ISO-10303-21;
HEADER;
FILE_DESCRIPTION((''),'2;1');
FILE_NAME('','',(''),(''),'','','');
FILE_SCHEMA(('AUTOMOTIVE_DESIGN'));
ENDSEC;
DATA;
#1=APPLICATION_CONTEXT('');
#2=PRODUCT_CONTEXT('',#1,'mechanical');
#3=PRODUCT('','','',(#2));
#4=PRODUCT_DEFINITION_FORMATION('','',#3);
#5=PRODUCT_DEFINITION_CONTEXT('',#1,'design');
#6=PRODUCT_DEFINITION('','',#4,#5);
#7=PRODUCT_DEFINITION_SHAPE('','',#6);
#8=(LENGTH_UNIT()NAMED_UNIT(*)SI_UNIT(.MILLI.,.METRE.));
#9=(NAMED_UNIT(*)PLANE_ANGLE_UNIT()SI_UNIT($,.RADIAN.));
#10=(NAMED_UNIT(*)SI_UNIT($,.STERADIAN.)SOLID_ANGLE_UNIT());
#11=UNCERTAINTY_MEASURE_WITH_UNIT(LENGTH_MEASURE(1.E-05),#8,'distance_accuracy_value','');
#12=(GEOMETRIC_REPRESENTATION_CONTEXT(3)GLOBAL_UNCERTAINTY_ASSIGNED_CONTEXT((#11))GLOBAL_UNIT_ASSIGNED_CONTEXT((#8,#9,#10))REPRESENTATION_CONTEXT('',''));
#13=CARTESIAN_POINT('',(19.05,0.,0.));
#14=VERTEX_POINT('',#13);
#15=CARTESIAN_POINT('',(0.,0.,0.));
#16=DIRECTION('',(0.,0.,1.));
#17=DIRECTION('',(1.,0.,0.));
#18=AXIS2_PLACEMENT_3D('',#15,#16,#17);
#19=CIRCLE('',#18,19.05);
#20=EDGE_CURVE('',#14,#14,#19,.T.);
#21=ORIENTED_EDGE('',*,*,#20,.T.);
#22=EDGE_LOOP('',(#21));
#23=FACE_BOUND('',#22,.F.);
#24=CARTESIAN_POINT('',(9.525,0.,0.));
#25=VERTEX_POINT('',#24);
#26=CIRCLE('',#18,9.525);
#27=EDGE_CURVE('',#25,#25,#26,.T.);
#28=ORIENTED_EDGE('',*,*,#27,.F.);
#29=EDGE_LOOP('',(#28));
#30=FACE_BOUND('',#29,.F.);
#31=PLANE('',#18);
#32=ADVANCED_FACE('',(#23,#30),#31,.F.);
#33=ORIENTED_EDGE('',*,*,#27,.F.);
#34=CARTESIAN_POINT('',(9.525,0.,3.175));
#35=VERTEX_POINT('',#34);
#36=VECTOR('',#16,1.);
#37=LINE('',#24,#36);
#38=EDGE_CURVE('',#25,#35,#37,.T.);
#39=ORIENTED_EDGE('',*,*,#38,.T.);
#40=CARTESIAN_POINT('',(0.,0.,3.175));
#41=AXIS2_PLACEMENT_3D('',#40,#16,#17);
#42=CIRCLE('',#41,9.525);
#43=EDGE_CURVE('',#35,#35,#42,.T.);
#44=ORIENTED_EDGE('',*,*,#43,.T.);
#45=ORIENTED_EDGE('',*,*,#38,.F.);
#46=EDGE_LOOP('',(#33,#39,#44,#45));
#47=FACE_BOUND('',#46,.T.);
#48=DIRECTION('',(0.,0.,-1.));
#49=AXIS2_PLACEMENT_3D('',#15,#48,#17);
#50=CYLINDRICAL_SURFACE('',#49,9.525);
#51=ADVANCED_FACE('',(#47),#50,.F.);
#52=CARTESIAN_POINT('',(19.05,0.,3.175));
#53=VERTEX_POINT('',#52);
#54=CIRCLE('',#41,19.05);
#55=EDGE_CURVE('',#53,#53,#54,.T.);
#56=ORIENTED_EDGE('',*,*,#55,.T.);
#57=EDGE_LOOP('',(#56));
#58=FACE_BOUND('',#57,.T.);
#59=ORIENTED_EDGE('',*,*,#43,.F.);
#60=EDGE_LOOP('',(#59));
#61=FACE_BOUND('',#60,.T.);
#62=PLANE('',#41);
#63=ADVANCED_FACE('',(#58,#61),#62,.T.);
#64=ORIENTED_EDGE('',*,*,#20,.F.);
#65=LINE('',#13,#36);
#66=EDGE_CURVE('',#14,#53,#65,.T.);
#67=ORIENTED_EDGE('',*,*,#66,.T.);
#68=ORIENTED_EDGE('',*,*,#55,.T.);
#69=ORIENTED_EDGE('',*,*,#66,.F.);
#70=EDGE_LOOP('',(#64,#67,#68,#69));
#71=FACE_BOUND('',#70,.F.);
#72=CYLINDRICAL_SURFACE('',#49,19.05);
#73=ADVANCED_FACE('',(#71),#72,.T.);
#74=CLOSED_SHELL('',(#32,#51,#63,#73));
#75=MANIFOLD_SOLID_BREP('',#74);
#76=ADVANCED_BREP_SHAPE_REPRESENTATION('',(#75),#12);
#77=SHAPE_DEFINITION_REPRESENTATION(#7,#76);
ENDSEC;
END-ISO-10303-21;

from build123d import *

# Parameters (mm, degrees)
F0_R     = 19.05
F0_R_2   = 9.525
F1_DEPTH = 3.175
F2_DEPTH = 3.175


with BuildPart() as f1:
    # F0 (on Top) → F1 (new body)
    with BuildSketch(Plane.XY):
        Circle(F0_R)
        Circle(F0_R_2, mode=Mode.SUBTRACT)
    extrude(amount=F1_DEPTH)

    # F0 (on Top) → F2 (join)
    with BuildSketch(Plane.XY):
        Circle(F0_R)
        Circle(F0_R_2, mode=Mode.SUBTRACT)
    extrude(amount=F2_DEPTH)


solid = f1.part
